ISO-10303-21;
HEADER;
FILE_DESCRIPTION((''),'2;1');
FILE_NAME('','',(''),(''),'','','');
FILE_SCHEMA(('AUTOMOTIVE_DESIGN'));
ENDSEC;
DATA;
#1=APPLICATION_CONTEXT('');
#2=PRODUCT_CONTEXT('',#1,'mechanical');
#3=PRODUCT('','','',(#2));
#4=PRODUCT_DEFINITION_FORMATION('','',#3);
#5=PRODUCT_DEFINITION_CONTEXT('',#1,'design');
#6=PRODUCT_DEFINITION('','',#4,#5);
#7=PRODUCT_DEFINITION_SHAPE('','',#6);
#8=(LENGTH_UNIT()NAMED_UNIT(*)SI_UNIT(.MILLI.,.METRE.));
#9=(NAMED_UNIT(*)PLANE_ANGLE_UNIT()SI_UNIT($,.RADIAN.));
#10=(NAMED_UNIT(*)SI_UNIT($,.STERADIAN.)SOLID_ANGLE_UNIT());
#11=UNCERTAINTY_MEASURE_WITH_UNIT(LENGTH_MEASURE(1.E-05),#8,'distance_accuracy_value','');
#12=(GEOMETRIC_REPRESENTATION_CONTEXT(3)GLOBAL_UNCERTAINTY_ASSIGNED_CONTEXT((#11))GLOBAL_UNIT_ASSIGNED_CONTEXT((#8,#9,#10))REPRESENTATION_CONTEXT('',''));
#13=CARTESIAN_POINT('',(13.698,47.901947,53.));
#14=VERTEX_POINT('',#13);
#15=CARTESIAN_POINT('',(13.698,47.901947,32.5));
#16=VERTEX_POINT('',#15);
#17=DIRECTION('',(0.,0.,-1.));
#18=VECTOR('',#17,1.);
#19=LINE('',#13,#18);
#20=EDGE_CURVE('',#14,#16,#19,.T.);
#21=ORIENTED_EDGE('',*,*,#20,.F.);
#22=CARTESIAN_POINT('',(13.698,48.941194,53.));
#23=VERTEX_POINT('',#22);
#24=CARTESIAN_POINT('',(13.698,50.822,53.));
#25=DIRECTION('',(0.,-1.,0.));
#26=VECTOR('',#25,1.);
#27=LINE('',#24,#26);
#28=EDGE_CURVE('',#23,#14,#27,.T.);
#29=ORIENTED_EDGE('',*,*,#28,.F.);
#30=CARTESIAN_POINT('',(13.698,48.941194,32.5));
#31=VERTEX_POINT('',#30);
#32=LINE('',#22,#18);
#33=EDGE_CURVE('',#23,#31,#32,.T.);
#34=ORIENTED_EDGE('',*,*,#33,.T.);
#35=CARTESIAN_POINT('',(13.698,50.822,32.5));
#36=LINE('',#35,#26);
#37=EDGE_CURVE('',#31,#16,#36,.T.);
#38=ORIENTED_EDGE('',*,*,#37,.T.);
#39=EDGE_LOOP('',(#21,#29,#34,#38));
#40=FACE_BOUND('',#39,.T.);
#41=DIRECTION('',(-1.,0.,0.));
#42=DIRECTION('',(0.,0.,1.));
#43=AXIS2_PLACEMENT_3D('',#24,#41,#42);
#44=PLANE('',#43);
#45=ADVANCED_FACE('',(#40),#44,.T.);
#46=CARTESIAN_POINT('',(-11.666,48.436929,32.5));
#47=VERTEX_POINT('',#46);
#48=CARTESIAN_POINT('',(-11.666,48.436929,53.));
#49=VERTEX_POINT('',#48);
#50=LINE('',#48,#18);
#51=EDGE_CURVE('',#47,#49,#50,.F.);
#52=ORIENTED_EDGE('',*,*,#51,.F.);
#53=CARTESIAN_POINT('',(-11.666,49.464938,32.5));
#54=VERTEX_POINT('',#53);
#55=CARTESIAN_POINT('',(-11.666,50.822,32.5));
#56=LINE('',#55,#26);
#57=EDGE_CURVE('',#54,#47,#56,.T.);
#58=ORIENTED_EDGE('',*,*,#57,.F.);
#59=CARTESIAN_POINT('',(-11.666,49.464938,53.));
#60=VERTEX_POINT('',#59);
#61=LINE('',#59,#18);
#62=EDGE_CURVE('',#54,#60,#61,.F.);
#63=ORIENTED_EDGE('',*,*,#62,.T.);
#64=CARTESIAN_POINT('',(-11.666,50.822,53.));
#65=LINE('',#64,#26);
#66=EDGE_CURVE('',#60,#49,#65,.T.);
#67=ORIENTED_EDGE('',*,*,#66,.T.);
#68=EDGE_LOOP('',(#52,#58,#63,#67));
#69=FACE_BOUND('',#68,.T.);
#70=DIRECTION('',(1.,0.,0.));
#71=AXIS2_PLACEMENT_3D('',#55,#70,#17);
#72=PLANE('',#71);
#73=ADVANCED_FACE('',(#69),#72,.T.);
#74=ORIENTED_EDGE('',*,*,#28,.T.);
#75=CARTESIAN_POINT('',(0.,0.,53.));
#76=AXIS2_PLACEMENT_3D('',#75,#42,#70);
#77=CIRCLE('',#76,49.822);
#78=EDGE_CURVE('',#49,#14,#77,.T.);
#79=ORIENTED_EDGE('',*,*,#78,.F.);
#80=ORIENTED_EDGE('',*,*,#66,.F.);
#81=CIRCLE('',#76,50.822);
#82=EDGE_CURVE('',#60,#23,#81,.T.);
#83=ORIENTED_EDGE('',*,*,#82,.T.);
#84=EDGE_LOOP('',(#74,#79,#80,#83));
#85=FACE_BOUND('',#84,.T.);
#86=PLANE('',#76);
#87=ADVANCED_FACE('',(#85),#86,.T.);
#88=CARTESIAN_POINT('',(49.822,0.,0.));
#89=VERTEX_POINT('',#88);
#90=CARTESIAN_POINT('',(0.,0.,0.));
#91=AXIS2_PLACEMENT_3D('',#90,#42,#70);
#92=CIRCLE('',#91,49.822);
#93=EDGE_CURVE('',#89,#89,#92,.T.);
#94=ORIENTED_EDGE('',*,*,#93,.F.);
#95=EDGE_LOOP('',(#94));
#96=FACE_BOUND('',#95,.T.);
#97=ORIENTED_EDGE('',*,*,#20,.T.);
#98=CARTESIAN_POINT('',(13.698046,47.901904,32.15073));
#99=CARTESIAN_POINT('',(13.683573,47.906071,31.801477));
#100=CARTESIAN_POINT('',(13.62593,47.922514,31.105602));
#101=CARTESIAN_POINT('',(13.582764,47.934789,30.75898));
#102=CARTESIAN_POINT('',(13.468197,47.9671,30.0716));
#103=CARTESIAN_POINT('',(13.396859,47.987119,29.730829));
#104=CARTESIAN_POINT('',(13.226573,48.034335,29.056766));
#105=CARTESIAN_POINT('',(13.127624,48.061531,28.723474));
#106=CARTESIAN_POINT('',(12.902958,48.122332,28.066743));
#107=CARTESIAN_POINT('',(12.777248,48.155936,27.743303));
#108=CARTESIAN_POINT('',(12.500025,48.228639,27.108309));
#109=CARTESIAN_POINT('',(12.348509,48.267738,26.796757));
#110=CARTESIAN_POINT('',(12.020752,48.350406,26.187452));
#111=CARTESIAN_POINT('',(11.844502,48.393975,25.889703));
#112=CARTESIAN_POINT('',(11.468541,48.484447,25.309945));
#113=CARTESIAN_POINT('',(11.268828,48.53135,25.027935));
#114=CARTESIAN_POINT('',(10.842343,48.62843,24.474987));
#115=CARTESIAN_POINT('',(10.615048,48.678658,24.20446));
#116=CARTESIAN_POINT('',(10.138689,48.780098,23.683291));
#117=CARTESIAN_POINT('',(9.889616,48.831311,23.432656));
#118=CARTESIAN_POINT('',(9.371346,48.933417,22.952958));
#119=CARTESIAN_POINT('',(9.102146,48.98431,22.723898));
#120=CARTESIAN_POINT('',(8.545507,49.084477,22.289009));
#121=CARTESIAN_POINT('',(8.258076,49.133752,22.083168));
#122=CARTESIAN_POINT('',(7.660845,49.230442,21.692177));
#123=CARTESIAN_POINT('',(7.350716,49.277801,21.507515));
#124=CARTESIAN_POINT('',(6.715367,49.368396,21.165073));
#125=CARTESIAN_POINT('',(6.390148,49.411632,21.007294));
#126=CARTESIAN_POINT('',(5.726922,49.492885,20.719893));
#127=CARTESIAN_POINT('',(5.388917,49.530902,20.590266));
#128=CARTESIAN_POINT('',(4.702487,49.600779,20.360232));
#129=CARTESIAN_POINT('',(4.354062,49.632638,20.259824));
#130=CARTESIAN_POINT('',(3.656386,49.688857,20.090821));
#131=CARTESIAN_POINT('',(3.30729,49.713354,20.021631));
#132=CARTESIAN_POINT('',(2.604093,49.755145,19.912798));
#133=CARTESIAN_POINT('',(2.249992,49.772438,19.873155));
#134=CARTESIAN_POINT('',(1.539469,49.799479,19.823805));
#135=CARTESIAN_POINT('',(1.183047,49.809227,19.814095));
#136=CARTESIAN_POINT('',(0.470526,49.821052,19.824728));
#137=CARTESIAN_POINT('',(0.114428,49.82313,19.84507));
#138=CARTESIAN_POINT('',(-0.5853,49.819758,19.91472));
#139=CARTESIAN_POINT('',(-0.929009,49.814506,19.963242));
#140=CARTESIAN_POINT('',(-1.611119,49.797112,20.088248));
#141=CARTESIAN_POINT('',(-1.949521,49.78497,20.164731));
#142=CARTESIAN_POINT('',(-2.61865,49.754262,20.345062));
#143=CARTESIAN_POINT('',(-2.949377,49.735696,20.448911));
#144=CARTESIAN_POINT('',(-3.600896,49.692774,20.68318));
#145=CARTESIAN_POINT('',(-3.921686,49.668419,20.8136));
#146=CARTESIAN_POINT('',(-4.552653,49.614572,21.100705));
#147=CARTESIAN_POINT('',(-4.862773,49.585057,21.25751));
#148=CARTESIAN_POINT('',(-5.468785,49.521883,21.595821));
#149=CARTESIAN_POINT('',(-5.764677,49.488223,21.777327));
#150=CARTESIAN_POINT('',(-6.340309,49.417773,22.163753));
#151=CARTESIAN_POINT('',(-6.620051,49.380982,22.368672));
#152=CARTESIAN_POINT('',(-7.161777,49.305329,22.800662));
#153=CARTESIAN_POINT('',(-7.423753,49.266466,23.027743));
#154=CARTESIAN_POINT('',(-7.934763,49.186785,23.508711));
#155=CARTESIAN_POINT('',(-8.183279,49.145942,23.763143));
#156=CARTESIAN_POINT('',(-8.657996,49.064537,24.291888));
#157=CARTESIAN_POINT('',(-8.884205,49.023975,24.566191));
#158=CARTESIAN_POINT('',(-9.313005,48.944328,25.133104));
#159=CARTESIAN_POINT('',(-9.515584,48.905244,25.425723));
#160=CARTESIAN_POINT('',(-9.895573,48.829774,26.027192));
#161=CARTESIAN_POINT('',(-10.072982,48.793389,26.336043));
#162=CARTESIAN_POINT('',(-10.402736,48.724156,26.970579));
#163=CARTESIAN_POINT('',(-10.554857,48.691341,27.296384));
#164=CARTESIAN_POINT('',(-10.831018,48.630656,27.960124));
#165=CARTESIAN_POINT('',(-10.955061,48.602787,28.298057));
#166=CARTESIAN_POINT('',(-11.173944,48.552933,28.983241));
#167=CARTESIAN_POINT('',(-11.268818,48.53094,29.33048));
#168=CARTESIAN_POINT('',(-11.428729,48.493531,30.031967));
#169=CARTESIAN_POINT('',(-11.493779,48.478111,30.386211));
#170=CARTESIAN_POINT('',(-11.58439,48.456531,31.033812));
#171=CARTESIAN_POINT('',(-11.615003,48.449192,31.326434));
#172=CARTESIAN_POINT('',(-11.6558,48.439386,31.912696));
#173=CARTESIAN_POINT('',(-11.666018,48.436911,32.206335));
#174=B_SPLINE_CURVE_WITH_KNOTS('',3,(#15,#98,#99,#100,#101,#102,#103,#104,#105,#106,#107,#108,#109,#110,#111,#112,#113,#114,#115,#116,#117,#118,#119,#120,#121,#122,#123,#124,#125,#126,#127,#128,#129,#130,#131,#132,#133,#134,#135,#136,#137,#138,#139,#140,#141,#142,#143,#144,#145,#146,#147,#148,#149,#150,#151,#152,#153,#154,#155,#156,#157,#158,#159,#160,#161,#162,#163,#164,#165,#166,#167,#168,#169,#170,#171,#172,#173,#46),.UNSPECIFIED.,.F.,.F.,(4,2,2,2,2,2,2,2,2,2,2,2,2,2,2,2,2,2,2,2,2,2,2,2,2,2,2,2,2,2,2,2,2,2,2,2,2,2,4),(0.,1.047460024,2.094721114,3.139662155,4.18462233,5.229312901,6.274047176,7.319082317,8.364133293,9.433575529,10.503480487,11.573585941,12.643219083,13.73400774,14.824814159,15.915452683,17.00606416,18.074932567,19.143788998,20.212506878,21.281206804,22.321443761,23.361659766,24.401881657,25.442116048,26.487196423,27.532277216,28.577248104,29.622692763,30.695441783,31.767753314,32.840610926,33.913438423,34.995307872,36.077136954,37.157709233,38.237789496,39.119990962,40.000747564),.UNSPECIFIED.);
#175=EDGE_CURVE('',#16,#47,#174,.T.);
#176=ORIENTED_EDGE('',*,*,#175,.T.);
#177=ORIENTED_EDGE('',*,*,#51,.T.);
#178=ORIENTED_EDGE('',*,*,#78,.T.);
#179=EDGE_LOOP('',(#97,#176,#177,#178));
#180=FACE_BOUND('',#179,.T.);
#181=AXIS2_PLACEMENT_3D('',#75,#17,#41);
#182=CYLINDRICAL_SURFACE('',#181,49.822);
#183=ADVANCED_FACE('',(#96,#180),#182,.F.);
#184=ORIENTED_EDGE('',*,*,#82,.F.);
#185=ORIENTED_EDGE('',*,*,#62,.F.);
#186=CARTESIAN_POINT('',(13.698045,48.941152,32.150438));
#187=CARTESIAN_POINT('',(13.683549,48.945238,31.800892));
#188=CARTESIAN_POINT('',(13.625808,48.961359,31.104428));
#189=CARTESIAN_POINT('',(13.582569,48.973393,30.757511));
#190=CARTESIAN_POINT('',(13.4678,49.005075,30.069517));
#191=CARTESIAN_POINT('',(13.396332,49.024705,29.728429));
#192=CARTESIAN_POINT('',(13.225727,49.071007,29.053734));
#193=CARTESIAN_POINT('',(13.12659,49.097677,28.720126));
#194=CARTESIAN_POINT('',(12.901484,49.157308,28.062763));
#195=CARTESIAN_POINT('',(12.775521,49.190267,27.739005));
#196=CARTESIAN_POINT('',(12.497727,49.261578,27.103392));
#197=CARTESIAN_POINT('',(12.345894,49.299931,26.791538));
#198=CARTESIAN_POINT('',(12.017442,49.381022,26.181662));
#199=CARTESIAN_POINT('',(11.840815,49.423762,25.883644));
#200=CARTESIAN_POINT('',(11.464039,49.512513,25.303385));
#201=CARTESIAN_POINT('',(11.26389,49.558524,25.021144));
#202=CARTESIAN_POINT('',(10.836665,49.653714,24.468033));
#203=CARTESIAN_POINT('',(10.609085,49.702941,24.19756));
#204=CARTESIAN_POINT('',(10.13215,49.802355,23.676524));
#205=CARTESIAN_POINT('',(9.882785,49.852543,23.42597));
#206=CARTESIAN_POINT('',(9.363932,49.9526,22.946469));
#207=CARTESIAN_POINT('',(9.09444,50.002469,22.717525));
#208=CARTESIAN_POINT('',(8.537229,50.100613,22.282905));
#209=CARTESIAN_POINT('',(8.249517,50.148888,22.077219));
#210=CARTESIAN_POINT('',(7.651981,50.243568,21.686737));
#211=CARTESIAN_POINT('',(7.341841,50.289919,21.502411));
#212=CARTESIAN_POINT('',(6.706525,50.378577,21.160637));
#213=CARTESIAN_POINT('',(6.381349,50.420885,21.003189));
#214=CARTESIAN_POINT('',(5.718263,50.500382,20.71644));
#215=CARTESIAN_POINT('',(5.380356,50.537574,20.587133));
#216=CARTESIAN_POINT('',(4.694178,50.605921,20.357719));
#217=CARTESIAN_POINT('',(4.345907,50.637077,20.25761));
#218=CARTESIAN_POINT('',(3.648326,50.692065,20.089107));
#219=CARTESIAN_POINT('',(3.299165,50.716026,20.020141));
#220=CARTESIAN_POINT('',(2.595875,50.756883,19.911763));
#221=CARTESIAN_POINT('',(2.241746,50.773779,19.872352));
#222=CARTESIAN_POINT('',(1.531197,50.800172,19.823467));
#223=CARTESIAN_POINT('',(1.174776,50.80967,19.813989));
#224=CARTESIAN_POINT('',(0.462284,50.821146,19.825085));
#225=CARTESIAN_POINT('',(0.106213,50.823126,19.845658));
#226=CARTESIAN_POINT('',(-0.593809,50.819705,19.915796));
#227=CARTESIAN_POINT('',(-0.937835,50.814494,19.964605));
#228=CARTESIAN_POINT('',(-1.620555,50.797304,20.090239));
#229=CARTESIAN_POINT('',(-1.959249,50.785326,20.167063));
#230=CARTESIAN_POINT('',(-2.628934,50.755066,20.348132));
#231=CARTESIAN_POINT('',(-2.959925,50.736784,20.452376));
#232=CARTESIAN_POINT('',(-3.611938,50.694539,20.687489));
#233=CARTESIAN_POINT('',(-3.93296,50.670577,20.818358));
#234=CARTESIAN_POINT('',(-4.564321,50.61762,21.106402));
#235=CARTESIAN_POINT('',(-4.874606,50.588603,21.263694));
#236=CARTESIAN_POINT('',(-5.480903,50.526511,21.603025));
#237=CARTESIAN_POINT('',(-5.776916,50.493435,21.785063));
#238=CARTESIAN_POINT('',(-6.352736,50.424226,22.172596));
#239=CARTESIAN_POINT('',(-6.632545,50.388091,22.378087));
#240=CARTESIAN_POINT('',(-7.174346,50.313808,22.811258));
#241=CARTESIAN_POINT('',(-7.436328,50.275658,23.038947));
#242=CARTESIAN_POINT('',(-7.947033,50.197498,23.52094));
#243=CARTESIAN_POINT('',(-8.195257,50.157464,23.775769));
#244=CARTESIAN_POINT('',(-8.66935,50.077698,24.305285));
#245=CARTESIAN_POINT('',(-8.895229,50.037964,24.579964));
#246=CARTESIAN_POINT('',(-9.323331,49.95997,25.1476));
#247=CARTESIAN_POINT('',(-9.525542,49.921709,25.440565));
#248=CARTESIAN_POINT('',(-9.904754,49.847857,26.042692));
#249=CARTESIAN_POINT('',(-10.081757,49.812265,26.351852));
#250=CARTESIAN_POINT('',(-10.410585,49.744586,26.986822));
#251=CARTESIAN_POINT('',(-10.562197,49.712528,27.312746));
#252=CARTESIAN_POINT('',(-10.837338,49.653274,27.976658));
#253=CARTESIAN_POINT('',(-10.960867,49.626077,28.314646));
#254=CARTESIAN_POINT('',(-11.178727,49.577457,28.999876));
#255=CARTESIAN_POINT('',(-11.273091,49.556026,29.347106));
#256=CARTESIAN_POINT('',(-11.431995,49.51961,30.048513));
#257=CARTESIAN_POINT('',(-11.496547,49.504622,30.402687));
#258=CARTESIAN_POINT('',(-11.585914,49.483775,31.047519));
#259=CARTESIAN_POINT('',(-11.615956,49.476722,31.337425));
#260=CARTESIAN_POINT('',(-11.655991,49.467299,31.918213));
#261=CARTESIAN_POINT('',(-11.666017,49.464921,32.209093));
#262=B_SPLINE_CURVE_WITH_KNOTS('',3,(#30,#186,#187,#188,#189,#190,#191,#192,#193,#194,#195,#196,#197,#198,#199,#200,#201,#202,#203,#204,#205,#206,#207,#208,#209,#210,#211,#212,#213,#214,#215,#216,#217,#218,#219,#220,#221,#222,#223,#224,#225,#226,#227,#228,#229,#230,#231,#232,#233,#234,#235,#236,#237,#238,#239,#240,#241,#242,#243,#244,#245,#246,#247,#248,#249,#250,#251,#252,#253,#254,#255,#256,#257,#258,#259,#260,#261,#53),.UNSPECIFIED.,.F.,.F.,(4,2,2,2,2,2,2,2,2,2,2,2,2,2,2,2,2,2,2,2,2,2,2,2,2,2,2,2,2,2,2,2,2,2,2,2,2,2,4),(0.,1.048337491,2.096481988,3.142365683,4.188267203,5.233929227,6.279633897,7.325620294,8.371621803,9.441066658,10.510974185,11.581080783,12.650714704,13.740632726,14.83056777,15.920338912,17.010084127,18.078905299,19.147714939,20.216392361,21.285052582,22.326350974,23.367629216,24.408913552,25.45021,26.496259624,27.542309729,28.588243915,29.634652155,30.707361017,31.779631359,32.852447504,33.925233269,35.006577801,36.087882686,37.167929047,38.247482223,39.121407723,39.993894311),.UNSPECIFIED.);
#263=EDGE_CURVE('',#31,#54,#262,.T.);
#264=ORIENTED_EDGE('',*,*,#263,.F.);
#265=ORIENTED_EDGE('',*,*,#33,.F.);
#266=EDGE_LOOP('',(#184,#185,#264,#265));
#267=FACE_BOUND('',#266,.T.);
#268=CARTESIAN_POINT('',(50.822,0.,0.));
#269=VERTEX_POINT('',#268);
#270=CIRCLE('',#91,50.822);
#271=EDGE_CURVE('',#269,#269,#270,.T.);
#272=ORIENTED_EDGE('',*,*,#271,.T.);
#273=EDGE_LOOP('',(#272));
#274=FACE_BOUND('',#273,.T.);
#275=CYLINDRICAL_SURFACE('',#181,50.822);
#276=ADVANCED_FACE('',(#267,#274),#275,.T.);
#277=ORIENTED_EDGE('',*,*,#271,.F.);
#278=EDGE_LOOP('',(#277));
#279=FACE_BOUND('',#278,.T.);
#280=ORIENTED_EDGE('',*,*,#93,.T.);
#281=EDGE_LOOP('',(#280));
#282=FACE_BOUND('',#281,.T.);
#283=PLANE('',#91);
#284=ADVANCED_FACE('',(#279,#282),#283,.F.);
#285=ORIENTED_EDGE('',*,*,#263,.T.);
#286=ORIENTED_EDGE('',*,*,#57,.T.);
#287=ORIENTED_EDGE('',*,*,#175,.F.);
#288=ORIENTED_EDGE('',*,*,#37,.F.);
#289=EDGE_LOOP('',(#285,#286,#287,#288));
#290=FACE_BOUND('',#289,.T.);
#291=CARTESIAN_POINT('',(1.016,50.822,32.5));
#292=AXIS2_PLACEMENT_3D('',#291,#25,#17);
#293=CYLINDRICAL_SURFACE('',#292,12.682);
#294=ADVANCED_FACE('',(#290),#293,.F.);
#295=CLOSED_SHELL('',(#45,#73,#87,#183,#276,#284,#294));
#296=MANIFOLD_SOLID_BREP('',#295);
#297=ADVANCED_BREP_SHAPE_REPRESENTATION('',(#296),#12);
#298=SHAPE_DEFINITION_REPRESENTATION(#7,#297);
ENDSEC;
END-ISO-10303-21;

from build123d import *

# Parameters (mm, degrees)
SKETCH1_R           = 50.822
SKETCH1_R_2         = 49.822
BOSS_EXTRUDE1_DEPTH = 53
CUT_EXTRUDE1_DEPTH  = 90.301463415


with BuildPart() as part:
    # Sketch1 → Boss-Extrude1 (new body)
    with BuildSketch(Plane.XY):
        Circle(SKETCH1_R)
        Circle(SKETCH1_R_2, mode=Mode.SUBTRACT)
    extrude(amount=BOSS_EXTRUDE1_DEPTH)

    # Sketch2 → Cut-Extrude1 (cut, through all)
    with BuildSketch(Plane(origin=(0, 0, 0), x_dir=(1, 0, 0), z_dir=(0, 1, 0))):
        with BuildLine():
            Line((-11.666, -32.5), (-11.666, -53))
            Line((-11.666, -53), (13.698, -53))
            Line((13.698, -53), (13.698, -32.5))
            ThreePointArc((13.698, -32.5), (1.016, -19.818), (-11.666, -32.5))
        make_face()
    extrude(amount=CUT_EXTRUDE1_DEPTH, mode=Mode.SUBTRACT)


solid = part.part
